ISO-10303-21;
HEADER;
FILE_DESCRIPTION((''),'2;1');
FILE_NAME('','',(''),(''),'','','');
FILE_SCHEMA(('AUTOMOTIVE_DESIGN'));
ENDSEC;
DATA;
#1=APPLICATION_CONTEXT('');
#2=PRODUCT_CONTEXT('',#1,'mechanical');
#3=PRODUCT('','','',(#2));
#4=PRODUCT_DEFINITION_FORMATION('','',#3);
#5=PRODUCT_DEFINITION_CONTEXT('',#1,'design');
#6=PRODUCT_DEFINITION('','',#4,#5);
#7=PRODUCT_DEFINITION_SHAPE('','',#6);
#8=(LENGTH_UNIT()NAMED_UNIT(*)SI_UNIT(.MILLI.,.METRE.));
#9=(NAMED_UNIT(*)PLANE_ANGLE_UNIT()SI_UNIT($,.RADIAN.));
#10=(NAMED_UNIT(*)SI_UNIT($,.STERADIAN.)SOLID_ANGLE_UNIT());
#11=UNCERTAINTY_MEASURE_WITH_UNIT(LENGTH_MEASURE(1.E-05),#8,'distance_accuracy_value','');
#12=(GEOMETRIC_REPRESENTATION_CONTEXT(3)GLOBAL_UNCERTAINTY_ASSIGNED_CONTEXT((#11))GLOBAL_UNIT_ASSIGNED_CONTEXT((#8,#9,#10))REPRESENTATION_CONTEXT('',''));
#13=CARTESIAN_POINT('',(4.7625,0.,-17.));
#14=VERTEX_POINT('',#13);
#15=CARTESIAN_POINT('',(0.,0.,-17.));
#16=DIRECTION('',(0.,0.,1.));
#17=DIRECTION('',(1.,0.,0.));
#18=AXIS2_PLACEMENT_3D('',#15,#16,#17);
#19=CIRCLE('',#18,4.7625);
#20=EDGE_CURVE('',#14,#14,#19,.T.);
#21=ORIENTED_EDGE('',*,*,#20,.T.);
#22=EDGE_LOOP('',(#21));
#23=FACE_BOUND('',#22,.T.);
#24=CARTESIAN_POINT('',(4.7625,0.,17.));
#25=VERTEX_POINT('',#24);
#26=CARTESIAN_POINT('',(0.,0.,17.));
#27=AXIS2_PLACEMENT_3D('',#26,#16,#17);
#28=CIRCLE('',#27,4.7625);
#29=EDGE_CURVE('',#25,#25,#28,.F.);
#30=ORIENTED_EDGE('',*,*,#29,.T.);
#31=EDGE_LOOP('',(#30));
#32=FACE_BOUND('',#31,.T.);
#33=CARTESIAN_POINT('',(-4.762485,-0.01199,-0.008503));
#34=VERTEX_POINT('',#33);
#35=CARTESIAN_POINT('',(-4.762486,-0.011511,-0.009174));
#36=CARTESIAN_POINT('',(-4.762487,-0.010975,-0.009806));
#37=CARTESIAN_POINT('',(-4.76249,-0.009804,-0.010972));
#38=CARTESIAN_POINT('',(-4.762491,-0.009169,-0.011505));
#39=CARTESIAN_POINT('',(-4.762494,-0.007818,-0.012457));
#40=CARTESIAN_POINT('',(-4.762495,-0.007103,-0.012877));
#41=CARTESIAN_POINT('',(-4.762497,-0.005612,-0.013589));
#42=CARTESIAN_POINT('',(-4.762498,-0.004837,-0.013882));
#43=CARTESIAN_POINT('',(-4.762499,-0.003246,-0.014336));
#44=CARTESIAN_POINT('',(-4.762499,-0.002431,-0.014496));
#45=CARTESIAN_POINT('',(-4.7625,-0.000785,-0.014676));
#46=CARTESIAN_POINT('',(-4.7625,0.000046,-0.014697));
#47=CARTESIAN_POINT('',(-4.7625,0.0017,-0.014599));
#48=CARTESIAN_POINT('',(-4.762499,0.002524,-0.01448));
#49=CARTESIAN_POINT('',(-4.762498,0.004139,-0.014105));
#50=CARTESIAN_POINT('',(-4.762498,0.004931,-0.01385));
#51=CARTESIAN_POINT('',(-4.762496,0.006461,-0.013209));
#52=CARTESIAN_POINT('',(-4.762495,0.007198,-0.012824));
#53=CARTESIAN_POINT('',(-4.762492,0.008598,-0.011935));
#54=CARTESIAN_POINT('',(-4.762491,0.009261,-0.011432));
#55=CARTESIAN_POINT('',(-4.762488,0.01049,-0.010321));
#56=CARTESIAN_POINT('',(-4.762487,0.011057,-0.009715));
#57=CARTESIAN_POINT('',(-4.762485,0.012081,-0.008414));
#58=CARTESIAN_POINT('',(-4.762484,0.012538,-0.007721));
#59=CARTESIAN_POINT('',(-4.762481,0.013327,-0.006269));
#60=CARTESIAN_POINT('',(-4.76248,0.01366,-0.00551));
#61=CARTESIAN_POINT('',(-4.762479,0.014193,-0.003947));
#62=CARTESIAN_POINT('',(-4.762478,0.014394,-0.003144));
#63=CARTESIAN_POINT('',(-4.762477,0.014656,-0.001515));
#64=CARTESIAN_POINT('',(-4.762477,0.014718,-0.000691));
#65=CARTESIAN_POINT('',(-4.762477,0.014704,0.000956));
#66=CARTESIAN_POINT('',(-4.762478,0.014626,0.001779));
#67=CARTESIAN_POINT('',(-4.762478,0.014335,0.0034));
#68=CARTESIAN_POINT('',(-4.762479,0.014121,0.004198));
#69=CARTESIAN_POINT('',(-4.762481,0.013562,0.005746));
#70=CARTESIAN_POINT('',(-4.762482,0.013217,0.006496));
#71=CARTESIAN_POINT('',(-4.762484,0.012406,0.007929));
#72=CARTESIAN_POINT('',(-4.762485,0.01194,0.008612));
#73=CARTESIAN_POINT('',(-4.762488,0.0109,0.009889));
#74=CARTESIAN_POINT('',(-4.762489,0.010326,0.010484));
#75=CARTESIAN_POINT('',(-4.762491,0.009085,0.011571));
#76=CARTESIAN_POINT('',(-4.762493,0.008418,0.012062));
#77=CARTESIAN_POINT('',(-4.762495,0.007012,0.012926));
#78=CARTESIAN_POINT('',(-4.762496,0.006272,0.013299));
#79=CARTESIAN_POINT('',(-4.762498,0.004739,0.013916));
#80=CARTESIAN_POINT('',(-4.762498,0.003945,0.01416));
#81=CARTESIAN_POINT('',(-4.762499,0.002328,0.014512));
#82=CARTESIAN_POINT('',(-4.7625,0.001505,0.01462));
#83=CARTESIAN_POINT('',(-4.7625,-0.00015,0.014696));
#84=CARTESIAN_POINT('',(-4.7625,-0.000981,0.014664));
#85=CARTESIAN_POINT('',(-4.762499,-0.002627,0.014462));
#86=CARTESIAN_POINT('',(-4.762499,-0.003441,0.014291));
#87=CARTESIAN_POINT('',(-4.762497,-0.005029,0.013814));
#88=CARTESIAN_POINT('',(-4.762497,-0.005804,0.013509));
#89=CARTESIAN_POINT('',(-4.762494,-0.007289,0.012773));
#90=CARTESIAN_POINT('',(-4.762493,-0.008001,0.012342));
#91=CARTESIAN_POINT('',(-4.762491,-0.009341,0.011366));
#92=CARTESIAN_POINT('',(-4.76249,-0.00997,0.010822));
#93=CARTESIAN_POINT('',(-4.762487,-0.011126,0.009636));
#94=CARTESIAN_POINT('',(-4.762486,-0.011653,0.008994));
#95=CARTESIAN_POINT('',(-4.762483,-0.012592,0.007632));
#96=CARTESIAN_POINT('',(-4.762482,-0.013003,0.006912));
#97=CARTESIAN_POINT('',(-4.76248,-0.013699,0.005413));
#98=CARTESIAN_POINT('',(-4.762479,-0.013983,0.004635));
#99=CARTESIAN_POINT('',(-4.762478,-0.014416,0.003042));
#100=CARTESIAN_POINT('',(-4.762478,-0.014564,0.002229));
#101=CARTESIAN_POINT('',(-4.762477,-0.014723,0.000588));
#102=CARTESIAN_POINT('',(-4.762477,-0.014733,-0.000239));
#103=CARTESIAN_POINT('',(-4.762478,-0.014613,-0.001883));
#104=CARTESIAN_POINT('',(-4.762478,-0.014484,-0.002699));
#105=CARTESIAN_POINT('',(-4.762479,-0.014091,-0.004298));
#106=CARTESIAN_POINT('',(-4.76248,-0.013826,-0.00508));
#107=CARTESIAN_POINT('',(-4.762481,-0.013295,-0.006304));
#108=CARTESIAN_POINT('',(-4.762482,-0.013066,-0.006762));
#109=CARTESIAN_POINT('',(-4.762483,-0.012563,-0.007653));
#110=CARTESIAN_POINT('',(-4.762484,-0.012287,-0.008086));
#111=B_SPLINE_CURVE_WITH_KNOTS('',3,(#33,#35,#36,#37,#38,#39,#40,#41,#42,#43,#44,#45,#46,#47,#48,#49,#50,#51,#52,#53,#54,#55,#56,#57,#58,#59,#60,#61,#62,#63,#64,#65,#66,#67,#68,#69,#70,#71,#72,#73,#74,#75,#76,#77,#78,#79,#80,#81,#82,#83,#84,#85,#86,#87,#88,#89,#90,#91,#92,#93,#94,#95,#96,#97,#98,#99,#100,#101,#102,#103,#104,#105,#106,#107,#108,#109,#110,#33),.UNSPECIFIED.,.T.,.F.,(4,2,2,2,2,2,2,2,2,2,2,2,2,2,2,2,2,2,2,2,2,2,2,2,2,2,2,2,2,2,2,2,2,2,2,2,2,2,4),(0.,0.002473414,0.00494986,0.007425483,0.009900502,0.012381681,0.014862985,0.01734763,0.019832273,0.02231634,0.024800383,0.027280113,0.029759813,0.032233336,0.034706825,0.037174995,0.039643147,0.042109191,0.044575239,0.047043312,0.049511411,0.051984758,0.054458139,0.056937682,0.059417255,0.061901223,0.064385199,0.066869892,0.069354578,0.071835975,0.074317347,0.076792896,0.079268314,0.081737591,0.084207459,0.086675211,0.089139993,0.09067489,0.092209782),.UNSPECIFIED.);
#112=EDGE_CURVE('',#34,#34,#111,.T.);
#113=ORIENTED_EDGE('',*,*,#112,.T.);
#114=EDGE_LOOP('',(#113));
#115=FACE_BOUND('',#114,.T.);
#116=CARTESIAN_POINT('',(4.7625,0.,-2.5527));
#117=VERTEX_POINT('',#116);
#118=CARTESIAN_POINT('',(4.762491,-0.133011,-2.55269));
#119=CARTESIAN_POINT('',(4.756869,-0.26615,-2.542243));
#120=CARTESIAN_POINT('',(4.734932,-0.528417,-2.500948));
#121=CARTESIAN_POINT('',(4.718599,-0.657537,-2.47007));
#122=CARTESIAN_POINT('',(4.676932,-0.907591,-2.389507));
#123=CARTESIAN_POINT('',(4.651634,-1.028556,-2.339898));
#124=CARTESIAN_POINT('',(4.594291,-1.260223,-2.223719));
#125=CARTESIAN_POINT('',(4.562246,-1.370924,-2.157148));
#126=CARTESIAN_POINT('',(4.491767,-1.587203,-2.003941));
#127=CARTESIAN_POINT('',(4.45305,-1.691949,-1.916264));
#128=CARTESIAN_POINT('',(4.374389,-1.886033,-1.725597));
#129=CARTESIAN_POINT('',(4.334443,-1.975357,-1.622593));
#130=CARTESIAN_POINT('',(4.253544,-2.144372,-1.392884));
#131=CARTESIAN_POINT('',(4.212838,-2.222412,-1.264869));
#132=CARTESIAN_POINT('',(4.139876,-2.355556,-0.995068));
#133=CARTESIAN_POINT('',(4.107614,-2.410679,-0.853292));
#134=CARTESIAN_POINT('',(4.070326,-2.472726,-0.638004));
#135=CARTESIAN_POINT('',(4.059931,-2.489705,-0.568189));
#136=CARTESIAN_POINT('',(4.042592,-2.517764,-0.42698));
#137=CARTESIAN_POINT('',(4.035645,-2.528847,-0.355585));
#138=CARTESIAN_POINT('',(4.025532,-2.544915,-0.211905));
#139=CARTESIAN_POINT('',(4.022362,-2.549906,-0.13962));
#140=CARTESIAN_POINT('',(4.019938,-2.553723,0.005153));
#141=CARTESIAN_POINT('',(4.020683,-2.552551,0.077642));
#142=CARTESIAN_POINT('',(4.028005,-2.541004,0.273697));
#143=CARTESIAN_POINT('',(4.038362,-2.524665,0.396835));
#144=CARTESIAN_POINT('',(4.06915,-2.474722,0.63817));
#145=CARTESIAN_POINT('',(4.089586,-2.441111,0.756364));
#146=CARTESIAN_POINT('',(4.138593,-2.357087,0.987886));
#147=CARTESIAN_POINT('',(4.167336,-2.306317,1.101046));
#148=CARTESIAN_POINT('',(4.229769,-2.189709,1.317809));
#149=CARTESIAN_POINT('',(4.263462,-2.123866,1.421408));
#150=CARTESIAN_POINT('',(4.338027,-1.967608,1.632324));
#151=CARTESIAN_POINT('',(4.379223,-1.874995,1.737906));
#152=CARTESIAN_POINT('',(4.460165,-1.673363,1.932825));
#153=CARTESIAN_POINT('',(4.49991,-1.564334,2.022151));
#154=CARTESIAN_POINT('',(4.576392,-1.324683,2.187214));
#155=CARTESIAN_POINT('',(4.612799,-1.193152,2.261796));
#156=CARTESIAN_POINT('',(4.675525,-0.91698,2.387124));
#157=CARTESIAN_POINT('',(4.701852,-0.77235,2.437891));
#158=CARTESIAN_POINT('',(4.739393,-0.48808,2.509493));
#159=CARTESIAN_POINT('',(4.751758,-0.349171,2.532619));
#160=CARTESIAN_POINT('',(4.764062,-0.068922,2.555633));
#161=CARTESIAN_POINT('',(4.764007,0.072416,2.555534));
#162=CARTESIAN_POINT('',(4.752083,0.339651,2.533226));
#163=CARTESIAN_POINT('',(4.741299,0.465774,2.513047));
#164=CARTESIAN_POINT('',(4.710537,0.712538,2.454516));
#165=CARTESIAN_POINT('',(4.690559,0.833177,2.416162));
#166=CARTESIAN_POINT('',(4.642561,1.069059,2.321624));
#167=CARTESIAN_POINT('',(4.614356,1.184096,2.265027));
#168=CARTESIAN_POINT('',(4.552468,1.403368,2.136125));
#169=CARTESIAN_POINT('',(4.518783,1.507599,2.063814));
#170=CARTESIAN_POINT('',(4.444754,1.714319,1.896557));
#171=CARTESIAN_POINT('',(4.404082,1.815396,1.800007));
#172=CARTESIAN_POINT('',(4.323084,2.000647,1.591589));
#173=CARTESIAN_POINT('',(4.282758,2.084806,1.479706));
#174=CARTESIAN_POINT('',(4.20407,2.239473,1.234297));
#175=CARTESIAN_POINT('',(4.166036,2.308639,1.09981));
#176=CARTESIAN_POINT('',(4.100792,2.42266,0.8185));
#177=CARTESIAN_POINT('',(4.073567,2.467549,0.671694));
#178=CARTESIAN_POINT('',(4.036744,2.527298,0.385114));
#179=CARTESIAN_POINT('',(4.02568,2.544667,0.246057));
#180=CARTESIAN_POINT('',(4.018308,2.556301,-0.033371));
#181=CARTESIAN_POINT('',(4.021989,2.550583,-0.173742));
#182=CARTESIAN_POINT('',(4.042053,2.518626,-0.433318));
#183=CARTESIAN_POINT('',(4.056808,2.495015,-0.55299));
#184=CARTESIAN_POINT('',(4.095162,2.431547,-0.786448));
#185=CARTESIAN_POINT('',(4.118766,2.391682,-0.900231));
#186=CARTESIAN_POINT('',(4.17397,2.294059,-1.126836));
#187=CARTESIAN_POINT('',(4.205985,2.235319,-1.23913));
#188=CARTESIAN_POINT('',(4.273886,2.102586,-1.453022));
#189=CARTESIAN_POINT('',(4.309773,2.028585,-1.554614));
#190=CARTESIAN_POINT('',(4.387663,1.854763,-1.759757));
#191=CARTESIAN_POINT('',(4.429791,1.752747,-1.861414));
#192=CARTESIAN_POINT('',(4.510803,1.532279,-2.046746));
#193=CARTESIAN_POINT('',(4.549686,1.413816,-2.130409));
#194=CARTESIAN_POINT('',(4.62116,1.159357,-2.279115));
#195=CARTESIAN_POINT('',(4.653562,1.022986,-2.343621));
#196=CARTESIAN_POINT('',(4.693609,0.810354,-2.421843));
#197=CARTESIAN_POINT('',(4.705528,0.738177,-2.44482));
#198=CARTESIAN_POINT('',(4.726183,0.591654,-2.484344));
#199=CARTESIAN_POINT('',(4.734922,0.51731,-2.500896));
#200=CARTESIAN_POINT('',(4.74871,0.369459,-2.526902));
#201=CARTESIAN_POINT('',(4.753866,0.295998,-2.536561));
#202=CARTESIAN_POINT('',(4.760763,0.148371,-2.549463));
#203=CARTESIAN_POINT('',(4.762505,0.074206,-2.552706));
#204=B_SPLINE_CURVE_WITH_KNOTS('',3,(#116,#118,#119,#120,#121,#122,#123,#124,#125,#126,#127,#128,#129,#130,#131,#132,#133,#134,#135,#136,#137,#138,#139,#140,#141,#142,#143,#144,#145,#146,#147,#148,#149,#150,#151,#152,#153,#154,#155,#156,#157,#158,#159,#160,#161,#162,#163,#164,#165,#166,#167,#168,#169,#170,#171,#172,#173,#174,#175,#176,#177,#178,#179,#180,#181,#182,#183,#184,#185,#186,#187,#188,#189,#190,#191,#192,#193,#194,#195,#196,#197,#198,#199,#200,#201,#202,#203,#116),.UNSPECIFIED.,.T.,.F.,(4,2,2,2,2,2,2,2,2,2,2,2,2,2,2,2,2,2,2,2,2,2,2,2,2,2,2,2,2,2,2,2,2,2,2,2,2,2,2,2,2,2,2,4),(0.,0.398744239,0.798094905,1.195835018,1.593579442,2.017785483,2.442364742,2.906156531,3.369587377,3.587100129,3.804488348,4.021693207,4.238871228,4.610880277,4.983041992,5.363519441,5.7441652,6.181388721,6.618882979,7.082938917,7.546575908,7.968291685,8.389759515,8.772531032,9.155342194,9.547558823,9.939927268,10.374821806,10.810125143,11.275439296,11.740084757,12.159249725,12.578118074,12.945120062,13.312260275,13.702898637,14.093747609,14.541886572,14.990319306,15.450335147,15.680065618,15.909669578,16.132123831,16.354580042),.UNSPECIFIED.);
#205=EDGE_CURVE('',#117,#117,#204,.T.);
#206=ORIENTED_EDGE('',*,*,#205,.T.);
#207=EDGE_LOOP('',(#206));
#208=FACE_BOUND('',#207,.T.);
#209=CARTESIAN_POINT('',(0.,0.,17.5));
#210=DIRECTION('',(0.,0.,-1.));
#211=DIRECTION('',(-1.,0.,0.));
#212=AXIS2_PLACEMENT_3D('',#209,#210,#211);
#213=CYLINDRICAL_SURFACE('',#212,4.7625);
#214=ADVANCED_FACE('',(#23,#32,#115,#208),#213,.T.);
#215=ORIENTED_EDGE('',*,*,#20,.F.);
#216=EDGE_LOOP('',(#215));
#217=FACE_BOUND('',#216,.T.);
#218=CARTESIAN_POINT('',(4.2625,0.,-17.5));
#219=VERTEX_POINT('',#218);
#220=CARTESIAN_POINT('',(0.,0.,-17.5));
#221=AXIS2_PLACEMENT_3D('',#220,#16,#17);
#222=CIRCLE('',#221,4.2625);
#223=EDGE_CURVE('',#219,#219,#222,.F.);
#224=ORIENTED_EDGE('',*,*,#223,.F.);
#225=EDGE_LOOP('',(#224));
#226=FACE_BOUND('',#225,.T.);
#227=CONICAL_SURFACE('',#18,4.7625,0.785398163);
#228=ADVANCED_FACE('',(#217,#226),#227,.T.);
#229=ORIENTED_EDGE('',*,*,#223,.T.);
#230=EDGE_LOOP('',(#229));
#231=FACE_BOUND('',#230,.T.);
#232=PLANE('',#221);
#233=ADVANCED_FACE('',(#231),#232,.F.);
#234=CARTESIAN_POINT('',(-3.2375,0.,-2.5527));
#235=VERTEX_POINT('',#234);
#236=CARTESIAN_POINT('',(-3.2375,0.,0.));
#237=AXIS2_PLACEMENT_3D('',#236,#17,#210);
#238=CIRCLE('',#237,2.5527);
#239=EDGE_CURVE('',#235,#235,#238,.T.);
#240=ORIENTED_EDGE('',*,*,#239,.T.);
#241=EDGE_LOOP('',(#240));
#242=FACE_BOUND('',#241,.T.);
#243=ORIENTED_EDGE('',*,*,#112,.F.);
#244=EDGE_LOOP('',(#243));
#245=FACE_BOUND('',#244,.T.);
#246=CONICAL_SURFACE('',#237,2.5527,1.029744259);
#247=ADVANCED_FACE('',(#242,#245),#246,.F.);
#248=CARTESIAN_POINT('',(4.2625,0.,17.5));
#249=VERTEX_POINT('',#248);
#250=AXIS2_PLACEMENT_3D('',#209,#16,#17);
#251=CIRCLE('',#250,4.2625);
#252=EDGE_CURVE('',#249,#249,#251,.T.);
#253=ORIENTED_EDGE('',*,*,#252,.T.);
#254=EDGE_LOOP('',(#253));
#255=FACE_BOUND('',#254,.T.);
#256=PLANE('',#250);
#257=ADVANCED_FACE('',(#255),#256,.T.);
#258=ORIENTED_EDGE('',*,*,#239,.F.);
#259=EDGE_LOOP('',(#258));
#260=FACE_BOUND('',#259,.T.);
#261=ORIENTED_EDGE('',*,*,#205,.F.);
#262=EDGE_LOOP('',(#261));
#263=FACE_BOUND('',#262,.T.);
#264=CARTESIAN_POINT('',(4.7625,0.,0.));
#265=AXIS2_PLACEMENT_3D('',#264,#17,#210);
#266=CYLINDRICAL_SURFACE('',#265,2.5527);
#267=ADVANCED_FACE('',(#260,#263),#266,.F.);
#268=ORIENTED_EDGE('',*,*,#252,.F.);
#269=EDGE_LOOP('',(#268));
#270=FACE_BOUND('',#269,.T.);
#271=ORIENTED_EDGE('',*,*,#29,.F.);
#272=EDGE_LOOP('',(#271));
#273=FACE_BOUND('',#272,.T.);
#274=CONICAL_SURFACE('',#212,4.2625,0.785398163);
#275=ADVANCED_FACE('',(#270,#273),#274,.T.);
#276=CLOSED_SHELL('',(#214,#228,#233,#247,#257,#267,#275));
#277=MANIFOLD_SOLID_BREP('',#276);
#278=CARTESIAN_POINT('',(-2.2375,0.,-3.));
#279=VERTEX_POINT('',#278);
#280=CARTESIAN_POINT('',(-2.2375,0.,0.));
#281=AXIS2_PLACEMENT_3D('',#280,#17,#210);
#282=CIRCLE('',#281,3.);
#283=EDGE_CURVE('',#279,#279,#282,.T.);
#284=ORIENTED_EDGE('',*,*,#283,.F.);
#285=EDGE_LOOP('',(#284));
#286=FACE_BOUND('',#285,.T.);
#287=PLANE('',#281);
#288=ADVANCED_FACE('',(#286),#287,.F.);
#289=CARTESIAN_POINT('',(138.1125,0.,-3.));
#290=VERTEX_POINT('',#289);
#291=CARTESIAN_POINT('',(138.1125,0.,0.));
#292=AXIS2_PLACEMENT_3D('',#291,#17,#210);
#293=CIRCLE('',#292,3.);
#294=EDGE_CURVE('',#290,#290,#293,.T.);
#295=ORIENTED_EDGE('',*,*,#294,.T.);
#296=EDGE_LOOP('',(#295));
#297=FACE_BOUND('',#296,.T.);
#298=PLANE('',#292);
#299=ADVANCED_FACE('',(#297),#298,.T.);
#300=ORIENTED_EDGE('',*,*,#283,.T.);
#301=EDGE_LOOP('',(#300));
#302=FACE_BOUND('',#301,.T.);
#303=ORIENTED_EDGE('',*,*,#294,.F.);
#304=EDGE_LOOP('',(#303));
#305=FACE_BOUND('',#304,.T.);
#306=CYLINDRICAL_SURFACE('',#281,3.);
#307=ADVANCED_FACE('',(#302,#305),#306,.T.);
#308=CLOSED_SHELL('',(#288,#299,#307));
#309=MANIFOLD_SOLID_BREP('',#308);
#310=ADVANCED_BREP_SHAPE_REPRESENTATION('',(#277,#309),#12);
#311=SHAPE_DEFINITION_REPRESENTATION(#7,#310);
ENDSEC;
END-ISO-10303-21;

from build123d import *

# Parameters (mm, degrees)
SKETCH1_R                   = 4.7625
BOSS_EXTRUDE1_DEPTH         = 17.5
F_1_4_20_TAPPED_HOLE1_D     = 5.1054
F_1_4_20_TAPPED_HOLE1_DEPTH = 8
F_1_4_20_TAPPED_HOLE1_TIP   = 1.533816902
BOSS_EXTRUDE2_DEPTH         = 133.35
BOSS_EXTRUDE2_DEPTH_BACK    = 7
SKETCH4_R                   = 3
CHAMFER1_SIZE               = 0.5


with BuildPart() as part:
    # Sketch1 → Boss-Extrude1 (new, symmetric)
    with BuildSketch(Plane.XY):
        Circle(SKETCH1_R)
    extrude(amount=BOSS_EXTRUDE1_DEPTH, both=True)

    # 1/4-20 Tapped Hole1
    with Locations(Plane(origin=(4.7625, 0, 0), x_dir=(0, 0, -1), z_dir=(1, 0, 0))):
        with Locations((0, 0)):
            Hole(F_1_4_20_TAPPED_HOLE1_D / 2, depth=F_1_4_20_TAPPED_HOLE1_DEPTH)
            with Locations((0, 0, -(F_1_4_20_TAPPED_HOLE1_DEPTH + F_1_4_20_TAPPED_HOLE1_TIP / 2))):  # 118° drill point
                Cone(0, F_1_4_20_TAPPED_HOLE1_D / 2, F_1_4_20_TAPPED_HOLE1_TIP, mode=Mode.SUBTRACT)

    # Chamfer1
    chamfer1_edges = [part.edges().sort_by_distance(p)[0] for p in [
        (-4.7625, 0, -17.5),
        (-4.7625, 0, 17.5),
    ]]
    chamfer(chamfer1_edges, length=CHAMFER1_SIZE)


with BuildPart() as body_2:
    # Sketch4 → Boss-Extrude2 (new, two sides: drawn at the far end of the back side and taken through both)
    with BuildSketch(Plane(origin=(4.7625, 0, 0), x_dir=(0, 0, -1), z_dir=(1, 0, 0)).offset(-BOSS_EXTRUDE2_DEPTH_BACK)):
        Circle(SKETCH4_R)
    extrude(amount=BOSS_EXTRUDE2_DEPTH + BOSS_EXTRUDE2_DEPTH_BACK)


solid = Compound([part.part, body_2.part])
